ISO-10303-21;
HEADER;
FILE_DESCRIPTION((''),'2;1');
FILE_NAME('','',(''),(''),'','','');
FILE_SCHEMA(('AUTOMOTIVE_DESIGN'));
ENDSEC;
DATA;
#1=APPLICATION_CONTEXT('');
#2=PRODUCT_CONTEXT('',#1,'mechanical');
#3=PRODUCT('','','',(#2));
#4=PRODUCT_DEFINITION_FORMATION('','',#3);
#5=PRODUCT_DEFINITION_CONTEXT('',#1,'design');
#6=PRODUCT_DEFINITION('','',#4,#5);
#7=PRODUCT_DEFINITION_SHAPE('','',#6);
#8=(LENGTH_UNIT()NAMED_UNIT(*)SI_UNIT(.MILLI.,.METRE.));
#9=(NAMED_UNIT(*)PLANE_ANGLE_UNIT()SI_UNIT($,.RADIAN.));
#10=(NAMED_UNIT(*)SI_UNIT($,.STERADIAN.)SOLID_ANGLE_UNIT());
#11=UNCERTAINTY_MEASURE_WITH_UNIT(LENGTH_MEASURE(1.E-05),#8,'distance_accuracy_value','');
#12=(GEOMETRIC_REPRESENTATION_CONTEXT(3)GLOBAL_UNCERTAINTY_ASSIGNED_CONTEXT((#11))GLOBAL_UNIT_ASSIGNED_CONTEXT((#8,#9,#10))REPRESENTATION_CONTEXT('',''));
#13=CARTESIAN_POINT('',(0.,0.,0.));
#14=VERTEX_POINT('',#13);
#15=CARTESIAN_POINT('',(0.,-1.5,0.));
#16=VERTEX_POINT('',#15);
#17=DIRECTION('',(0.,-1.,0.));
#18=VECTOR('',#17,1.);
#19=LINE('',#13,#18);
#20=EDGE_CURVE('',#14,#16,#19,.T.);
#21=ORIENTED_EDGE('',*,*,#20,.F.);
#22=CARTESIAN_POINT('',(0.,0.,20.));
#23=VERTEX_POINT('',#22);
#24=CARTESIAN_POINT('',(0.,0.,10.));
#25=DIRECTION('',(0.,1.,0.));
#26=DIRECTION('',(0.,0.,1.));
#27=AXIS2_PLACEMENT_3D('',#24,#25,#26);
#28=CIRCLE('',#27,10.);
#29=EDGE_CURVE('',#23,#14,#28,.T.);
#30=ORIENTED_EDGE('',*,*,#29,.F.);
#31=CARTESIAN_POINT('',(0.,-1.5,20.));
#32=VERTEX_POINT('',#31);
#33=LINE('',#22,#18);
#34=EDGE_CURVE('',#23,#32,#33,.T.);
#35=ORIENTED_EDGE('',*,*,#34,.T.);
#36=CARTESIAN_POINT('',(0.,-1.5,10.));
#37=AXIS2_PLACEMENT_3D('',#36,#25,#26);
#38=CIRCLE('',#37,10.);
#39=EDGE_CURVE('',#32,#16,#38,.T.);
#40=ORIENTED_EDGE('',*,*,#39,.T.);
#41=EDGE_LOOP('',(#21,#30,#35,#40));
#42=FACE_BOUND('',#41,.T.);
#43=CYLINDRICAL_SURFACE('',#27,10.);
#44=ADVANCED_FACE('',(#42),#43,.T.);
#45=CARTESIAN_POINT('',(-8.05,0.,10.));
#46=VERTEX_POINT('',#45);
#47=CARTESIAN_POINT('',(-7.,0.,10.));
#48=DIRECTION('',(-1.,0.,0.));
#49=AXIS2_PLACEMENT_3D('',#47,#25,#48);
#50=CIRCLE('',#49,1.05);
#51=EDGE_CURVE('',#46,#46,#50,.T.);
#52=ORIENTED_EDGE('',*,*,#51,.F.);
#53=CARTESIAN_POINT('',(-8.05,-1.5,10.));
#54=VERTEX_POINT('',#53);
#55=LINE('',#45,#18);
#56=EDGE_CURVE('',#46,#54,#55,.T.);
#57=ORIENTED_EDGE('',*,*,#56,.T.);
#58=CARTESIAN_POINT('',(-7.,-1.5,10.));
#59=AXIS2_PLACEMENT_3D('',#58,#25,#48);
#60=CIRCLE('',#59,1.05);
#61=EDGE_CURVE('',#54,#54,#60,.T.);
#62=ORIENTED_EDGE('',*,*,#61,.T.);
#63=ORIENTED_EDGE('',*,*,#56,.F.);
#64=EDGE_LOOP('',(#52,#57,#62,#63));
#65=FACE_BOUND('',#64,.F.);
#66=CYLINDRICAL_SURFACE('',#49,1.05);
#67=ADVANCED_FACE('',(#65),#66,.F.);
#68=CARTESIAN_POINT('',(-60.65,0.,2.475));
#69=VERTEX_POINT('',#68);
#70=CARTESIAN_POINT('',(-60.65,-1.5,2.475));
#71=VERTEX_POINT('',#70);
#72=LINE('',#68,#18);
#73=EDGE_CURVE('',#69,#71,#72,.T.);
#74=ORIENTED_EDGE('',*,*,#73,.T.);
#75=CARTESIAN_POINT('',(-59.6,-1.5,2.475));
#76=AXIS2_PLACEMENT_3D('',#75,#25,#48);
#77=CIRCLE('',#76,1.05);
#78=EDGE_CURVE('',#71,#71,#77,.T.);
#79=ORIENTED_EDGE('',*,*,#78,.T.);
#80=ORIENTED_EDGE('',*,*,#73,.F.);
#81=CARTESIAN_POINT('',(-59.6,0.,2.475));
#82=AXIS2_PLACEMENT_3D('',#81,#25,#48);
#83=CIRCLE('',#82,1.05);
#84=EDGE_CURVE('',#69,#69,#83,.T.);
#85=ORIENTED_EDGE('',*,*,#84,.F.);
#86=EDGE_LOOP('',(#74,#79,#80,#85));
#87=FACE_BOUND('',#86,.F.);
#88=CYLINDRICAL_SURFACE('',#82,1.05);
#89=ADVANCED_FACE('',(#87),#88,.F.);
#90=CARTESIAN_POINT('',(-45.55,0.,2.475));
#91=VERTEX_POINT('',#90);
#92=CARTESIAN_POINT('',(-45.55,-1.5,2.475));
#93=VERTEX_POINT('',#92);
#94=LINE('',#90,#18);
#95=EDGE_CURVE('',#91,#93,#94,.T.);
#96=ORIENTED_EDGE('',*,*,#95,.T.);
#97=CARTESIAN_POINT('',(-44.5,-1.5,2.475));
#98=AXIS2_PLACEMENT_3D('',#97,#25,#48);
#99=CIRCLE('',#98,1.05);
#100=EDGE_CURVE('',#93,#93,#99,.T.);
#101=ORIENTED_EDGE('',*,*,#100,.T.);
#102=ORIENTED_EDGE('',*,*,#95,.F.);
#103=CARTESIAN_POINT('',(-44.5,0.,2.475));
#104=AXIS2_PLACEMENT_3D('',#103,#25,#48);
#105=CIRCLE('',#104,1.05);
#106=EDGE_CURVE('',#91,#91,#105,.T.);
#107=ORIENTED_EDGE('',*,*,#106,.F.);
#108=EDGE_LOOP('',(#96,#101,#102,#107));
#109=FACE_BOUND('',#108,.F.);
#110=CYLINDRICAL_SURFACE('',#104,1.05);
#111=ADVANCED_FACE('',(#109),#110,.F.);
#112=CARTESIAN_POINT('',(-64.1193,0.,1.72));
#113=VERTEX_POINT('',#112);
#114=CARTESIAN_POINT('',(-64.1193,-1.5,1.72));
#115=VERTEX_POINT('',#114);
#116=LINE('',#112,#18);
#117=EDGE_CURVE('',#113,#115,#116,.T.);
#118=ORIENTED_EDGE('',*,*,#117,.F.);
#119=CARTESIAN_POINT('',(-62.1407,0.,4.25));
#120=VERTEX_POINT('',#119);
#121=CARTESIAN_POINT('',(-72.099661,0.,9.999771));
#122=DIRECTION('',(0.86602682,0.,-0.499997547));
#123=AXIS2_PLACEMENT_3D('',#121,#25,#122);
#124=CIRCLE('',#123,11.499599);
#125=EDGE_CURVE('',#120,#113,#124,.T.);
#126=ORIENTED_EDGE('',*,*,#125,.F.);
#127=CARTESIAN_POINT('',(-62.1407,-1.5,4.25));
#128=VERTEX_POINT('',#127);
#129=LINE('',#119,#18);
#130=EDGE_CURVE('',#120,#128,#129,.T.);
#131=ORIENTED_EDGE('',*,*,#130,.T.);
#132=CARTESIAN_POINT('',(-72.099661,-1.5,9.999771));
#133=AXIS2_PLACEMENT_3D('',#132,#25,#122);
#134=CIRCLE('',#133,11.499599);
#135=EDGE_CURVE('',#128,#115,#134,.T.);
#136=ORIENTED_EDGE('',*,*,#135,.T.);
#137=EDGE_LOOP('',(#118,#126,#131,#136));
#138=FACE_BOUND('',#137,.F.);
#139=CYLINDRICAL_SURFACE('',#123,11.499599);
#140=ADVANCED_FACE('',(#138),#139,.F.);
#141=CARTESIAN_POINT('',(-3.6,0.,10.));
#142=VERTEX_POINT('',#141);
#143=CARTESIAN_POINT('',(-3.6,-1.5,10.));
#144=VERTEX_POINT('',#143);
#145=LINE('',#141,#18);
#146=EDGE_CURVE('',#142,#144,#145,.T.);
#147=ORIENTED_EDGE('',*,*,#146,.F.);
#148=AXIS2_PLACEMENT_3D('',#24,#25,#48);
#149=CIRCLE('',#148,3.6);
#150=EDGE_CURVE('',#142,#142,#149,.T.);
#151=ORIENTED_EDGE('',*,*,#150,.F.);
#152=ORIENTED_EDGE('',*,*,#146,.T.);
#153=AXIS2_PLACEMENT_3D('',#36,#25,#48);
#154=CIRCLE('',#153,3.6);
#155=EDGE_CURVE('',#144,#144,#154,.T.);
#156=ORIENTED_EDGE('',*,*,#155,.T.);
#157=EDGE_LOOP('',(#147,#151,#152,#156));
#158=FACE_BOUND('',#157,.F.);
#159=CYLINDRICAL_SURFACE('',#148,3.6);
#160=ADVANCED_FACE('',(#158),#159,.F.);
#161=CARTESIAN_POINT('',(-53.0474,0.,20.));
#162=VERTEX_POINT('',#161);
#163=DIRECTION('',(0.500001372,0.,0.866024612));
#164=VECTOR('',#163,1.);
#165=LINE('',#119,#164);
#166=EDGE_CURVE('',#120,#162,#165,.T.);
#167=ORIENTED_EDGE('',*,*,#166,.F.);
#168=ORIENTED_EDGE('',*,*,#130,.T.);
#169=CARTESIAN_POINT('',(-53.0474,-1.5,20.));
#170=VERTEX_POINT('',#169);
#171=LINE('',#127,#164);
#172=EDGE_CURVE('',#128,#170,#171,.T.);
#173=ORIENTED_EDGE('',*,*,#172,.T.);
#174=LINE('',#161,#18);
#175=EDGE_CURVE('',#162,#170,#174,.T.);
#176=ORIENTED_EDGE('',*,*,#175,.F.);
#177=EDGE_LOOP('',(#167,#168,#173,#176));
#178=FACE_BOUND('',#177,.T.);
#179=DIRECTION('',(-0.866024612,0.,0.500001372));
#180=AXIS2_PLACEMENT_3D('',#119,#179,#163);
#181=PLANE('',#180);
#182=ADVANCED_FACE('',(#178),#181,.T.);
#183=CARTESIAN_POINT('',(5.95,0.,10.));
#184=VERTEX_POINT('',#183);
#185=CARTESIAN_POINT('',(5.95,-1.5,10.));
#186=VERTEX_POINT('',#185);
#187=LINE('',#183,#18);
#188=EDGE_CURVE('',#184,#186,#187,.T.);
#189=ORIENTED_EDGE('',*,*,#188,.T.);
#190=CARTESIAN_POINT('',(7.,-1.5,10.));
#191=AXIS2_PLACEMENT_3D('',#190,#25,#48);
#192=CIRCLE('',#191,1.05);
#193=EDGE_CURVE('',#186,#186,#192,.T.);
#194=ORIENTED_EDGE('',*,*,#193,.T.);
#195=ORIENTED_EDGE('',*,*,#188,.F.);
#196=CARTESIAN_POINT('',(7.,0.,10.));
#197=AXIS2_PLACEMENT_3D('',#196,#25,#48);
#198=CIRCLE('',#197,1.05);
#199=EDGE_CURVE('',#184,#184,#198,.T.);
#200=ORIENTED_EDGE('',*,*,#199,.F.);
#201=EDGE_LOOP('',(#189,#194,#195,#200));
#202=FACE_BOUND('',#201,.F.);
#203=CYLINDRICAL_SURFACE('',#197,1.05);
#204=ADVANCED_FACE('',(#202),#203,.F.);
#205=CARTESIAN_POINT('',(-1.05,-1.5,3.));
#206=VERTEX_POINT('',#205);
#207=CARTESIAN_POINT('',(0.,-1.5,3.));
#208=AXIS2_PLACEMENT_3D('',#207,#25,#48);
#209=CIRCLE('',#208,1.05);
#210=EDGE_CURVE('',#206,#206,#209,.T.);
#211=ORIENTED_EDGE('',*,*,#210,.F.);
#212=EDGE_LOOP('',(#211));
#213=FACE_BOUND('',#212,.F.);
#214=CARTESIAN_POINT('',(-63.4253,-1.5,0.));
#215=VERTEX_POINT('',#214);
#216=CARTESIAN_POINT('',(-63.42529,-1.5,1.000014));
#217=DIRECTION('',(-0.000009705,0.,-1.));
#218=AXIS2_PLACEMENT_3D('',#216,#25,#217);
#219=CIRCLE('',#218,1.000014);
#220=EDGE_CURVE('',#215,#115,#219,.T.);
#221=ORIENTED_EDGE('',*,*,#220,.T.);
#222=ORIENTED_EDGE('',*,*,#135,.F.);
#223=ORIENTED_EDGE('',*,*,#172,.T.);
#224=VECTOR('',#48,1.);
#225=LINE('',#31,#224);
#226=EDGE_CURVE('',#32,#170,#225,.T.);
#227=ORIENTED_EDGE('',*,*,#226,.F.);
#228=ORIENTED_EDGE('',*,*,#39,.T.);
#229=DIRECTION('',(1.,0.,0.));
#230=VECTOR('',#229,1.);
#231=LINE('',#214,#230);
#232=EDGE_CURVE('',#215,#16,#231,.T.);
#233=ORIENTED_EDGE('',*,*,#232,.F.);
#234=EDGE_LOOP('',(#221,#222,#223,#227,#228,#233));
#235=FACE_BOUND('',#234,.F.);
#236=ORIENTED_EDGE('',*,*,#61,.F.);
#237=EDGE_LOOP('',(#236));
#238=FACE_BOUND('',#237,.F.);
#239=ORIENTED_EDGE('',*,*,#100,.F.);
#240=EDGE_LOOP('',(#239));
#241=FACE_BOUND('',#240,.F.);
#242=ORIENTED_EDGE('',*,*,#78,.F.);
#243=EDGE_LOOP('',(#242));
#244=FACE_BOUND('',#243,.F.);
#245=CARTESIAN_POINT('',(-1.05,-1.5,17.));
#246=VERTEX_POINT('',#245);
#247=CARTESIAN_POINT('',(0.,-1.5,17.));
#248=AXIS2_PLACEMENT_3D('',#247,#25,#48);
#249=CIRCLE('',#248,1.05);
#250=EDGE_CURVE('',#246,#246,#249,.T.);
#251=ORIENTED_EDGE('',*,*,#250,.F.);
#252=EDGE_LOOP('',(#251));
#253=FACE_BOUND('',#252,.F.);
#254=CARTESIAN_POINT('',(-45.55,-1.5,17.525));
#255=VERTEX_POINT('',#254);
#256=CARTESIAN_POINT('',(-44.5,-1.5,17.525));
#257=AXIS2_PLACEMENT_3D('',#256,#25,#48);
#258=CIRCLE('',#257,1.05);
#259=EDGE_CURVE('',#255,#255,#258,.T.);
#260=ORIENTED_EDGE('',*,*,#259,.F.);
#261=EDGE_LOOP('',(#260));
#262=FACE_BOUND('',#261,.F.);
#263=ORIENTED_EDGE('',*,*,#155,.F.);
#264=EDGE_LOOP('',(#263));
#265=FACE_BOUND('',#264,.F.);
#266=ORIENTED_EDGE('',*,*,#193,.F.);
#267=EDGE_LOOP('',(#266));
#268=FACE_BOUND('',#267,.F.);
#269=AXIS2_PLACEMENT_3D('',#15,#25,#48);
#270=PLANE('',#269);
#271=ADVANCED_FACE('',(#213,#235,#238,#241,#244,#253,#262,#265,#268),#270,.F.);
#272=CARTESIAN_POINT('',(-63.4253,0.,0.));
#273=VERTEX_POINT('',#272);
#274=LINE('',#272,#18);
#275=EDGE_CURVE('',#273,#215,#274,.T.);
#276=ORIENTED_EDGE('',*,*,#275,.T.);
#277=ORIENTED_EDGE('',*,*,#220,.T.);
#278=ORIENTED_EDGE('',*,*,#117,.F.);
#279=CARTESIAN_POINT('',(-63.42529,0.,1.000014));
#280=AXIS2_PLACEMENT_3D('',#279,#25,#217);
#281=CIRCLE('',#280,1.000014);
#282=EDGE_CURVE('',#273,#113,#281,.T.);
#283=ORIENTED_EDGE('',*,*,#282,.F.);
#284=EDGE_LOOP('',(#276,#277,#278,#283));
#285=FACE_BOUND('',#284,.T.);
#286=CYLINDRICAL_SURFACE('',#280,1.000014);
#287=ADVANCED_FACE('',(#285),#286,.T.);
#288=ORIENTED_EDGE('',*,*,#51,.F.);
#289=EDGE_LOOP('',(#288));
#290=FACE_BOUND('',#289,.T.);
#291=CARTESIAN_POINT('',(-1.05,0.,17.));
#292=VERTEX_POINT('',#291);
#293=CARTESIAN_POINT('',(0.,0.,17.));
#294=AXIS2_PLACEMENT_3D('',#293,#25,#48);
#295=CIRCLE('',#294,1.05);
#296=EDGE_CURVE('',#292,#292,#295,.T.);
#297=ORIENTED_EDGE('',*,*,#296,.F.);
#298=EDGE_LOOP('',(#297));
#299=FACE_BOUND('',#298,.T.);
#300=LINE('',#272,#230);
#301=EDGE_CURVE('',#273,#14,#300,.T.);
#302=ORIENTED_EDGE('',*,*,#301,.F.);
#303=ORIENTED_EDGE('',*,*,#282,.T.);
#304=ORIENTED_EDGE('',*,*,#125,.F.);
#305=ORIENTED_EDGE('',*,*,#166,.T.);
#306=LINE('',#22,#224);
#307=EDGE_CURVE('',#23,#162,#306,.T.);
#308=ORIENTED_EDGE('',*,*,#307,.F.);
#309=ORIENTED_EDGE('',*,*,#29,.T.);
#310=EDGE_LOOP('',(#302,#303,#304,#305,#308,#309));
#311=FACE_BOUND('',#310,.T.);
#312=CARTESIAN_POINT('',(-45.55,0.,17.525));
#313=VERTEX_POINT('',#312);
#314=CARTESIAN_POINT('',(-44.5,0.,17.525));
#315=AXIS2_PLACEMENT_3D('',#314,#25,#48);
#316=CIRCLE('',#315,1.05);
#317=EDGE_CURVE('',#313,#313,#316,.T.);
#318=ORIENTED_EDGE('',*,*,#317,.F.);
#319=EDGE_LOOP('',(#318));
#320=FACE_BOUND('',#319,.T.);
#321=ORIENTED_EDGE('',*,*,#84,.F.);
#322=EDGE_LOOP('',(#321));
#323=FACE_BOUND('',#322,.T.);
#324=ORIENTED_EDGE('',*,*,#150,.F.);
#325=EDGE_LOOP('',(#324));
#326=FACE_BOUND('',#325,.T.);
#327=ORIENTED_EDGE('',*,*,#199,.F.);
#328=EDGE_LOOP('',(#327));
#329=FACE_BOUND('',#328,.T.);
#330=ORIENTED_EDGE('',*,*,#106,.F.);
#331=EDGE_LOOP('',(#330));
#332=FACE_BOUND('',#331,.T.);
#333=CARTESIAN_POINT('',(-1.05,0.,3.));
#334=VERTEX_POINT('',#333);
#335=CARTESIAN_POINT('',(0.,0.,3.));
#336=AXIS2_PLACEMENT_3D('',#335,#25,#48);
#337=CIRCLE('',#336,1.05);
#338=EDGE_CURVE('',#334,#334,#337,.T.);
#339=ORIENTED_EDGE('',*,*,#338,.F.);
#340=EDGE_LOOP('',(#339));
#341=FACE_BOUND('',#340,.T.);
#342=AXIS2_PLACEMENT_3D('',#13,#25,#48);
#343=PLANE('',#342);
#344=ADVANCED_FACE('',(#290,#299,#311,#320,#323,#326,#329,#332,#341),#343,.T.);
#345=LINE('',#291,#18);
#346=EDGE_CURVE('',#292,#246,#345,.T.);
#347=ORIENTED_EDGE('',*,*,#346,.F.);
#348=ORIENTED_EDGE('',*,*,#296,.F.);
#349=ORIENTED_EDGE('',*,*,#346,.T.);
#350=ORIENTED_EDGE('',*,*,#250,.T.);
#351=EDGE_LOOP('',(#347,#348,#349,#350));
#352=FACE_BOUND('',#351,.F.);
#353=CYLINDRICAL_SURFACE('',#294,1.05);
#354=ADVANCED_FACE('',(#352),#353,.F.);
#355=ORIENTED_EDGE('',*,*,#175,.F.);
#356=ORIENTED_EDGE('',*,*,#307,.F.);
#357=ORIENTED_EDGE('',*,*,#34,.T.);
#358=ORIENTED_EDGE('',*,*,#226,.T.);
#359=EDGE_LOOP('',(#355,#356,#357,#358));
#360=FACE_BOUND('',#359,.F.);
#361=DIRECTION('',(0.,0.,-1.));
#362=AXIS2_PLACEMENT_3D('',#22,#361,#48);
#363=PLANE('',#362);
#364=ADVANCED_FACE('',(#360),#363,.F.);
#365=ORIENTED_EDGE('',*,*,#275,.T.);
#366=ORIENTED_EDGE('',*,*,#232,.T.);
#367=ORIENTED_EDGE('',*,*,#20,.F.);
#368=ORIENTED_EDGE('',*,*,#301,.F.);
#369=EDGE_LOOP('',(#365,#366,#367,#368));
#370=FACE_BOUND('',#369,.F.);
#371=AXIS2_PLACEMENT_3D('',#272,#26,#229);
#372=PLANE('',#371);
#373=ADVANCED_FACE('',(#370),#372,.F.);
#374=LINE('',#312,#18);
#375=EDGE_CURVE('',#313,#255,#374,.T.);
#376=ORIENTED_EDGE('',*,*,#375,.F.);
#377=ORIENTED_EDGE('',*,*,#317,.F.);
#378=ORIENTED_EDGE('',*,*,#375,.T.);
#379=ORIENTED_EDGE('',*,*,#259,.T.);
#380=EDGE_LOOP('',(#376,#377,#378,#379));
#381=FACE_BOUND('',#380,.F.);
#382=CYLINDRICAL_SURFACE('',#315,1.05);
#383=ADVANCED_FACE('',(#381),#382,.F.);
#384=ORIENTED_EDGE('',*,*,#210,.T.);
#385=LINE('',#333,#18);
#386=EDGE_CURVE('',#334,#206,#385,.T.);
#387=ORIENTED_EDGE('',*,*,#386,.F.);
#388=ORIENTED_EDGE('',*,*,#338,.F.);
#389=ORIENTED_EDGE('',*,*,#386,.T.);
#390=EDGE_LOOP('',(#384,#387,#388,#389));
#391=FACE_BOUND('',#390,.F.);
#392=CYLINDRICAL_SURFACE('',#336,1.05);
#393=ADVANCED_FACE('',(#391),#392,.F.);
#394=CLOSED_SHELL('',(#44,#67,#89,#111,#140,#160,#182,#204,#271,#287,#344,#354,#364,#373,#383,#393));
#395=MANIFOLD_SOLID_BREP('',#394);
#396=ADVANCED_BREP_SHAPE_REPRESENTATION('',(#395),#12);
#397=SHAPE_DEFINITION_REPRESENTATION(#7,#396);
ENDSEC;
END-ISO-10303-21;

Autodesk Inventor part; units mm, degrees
ref_plane "YZ Plane" through (0, 0, 0) normal (1, 0, 0) x (0, 1, 0)
ref_plane "XZ Plane" through (0, 0, 0) normal (0, 1, 0) x (-1, 0, 0)
ref_plane "XY Plane" through (0, 0, 0) normal (0, 0, 1) x (1, 0, 0)
sketch "Sketch1" plane through (0, 0, 0) normal (0, 1, 0) x (-1, 0, 0)
  circle A0 centre (59.6, 2.475) radius 1.05
  circle A1 centre (44.5, 17.525) radius 1.05
  circle A2 centre (44.5, 2.475) radius 1.05
  circle A3 centre (0, 10) radius 3.6
  circle A4 centre (0, 3) radius 1.05
  circle A5 centre (7, 10) radius 1.05
  circle A6 centre (0, 17) radius 1.05
  circle A7 centre (-7, 10) radius 1.05
  line L0 (62.1407, 4.25) -> (53.0474, 20)
  line L1 (0, 20) -> (53.0474, 20)
  arc A8 (62.1407, 4.25) -> (64.1193, 1.72) centre (72.1, 10) ccw
  arc A9 (0, 20) -> (0, 0) centre (0, 10) ccw
  line L2 (63.4253, 0) -> (0, 0)
  arc A10 (63.4253, 0) -> (64.1193, 1.72) centre (63.4253, 1) ccw
  point P0 (0, 0)
extrude "Extrusion1" add sketch "Sketch1" against normal blind 1.5
properties part number "CAM_axis_2_4_connector_frame_non_powered"
